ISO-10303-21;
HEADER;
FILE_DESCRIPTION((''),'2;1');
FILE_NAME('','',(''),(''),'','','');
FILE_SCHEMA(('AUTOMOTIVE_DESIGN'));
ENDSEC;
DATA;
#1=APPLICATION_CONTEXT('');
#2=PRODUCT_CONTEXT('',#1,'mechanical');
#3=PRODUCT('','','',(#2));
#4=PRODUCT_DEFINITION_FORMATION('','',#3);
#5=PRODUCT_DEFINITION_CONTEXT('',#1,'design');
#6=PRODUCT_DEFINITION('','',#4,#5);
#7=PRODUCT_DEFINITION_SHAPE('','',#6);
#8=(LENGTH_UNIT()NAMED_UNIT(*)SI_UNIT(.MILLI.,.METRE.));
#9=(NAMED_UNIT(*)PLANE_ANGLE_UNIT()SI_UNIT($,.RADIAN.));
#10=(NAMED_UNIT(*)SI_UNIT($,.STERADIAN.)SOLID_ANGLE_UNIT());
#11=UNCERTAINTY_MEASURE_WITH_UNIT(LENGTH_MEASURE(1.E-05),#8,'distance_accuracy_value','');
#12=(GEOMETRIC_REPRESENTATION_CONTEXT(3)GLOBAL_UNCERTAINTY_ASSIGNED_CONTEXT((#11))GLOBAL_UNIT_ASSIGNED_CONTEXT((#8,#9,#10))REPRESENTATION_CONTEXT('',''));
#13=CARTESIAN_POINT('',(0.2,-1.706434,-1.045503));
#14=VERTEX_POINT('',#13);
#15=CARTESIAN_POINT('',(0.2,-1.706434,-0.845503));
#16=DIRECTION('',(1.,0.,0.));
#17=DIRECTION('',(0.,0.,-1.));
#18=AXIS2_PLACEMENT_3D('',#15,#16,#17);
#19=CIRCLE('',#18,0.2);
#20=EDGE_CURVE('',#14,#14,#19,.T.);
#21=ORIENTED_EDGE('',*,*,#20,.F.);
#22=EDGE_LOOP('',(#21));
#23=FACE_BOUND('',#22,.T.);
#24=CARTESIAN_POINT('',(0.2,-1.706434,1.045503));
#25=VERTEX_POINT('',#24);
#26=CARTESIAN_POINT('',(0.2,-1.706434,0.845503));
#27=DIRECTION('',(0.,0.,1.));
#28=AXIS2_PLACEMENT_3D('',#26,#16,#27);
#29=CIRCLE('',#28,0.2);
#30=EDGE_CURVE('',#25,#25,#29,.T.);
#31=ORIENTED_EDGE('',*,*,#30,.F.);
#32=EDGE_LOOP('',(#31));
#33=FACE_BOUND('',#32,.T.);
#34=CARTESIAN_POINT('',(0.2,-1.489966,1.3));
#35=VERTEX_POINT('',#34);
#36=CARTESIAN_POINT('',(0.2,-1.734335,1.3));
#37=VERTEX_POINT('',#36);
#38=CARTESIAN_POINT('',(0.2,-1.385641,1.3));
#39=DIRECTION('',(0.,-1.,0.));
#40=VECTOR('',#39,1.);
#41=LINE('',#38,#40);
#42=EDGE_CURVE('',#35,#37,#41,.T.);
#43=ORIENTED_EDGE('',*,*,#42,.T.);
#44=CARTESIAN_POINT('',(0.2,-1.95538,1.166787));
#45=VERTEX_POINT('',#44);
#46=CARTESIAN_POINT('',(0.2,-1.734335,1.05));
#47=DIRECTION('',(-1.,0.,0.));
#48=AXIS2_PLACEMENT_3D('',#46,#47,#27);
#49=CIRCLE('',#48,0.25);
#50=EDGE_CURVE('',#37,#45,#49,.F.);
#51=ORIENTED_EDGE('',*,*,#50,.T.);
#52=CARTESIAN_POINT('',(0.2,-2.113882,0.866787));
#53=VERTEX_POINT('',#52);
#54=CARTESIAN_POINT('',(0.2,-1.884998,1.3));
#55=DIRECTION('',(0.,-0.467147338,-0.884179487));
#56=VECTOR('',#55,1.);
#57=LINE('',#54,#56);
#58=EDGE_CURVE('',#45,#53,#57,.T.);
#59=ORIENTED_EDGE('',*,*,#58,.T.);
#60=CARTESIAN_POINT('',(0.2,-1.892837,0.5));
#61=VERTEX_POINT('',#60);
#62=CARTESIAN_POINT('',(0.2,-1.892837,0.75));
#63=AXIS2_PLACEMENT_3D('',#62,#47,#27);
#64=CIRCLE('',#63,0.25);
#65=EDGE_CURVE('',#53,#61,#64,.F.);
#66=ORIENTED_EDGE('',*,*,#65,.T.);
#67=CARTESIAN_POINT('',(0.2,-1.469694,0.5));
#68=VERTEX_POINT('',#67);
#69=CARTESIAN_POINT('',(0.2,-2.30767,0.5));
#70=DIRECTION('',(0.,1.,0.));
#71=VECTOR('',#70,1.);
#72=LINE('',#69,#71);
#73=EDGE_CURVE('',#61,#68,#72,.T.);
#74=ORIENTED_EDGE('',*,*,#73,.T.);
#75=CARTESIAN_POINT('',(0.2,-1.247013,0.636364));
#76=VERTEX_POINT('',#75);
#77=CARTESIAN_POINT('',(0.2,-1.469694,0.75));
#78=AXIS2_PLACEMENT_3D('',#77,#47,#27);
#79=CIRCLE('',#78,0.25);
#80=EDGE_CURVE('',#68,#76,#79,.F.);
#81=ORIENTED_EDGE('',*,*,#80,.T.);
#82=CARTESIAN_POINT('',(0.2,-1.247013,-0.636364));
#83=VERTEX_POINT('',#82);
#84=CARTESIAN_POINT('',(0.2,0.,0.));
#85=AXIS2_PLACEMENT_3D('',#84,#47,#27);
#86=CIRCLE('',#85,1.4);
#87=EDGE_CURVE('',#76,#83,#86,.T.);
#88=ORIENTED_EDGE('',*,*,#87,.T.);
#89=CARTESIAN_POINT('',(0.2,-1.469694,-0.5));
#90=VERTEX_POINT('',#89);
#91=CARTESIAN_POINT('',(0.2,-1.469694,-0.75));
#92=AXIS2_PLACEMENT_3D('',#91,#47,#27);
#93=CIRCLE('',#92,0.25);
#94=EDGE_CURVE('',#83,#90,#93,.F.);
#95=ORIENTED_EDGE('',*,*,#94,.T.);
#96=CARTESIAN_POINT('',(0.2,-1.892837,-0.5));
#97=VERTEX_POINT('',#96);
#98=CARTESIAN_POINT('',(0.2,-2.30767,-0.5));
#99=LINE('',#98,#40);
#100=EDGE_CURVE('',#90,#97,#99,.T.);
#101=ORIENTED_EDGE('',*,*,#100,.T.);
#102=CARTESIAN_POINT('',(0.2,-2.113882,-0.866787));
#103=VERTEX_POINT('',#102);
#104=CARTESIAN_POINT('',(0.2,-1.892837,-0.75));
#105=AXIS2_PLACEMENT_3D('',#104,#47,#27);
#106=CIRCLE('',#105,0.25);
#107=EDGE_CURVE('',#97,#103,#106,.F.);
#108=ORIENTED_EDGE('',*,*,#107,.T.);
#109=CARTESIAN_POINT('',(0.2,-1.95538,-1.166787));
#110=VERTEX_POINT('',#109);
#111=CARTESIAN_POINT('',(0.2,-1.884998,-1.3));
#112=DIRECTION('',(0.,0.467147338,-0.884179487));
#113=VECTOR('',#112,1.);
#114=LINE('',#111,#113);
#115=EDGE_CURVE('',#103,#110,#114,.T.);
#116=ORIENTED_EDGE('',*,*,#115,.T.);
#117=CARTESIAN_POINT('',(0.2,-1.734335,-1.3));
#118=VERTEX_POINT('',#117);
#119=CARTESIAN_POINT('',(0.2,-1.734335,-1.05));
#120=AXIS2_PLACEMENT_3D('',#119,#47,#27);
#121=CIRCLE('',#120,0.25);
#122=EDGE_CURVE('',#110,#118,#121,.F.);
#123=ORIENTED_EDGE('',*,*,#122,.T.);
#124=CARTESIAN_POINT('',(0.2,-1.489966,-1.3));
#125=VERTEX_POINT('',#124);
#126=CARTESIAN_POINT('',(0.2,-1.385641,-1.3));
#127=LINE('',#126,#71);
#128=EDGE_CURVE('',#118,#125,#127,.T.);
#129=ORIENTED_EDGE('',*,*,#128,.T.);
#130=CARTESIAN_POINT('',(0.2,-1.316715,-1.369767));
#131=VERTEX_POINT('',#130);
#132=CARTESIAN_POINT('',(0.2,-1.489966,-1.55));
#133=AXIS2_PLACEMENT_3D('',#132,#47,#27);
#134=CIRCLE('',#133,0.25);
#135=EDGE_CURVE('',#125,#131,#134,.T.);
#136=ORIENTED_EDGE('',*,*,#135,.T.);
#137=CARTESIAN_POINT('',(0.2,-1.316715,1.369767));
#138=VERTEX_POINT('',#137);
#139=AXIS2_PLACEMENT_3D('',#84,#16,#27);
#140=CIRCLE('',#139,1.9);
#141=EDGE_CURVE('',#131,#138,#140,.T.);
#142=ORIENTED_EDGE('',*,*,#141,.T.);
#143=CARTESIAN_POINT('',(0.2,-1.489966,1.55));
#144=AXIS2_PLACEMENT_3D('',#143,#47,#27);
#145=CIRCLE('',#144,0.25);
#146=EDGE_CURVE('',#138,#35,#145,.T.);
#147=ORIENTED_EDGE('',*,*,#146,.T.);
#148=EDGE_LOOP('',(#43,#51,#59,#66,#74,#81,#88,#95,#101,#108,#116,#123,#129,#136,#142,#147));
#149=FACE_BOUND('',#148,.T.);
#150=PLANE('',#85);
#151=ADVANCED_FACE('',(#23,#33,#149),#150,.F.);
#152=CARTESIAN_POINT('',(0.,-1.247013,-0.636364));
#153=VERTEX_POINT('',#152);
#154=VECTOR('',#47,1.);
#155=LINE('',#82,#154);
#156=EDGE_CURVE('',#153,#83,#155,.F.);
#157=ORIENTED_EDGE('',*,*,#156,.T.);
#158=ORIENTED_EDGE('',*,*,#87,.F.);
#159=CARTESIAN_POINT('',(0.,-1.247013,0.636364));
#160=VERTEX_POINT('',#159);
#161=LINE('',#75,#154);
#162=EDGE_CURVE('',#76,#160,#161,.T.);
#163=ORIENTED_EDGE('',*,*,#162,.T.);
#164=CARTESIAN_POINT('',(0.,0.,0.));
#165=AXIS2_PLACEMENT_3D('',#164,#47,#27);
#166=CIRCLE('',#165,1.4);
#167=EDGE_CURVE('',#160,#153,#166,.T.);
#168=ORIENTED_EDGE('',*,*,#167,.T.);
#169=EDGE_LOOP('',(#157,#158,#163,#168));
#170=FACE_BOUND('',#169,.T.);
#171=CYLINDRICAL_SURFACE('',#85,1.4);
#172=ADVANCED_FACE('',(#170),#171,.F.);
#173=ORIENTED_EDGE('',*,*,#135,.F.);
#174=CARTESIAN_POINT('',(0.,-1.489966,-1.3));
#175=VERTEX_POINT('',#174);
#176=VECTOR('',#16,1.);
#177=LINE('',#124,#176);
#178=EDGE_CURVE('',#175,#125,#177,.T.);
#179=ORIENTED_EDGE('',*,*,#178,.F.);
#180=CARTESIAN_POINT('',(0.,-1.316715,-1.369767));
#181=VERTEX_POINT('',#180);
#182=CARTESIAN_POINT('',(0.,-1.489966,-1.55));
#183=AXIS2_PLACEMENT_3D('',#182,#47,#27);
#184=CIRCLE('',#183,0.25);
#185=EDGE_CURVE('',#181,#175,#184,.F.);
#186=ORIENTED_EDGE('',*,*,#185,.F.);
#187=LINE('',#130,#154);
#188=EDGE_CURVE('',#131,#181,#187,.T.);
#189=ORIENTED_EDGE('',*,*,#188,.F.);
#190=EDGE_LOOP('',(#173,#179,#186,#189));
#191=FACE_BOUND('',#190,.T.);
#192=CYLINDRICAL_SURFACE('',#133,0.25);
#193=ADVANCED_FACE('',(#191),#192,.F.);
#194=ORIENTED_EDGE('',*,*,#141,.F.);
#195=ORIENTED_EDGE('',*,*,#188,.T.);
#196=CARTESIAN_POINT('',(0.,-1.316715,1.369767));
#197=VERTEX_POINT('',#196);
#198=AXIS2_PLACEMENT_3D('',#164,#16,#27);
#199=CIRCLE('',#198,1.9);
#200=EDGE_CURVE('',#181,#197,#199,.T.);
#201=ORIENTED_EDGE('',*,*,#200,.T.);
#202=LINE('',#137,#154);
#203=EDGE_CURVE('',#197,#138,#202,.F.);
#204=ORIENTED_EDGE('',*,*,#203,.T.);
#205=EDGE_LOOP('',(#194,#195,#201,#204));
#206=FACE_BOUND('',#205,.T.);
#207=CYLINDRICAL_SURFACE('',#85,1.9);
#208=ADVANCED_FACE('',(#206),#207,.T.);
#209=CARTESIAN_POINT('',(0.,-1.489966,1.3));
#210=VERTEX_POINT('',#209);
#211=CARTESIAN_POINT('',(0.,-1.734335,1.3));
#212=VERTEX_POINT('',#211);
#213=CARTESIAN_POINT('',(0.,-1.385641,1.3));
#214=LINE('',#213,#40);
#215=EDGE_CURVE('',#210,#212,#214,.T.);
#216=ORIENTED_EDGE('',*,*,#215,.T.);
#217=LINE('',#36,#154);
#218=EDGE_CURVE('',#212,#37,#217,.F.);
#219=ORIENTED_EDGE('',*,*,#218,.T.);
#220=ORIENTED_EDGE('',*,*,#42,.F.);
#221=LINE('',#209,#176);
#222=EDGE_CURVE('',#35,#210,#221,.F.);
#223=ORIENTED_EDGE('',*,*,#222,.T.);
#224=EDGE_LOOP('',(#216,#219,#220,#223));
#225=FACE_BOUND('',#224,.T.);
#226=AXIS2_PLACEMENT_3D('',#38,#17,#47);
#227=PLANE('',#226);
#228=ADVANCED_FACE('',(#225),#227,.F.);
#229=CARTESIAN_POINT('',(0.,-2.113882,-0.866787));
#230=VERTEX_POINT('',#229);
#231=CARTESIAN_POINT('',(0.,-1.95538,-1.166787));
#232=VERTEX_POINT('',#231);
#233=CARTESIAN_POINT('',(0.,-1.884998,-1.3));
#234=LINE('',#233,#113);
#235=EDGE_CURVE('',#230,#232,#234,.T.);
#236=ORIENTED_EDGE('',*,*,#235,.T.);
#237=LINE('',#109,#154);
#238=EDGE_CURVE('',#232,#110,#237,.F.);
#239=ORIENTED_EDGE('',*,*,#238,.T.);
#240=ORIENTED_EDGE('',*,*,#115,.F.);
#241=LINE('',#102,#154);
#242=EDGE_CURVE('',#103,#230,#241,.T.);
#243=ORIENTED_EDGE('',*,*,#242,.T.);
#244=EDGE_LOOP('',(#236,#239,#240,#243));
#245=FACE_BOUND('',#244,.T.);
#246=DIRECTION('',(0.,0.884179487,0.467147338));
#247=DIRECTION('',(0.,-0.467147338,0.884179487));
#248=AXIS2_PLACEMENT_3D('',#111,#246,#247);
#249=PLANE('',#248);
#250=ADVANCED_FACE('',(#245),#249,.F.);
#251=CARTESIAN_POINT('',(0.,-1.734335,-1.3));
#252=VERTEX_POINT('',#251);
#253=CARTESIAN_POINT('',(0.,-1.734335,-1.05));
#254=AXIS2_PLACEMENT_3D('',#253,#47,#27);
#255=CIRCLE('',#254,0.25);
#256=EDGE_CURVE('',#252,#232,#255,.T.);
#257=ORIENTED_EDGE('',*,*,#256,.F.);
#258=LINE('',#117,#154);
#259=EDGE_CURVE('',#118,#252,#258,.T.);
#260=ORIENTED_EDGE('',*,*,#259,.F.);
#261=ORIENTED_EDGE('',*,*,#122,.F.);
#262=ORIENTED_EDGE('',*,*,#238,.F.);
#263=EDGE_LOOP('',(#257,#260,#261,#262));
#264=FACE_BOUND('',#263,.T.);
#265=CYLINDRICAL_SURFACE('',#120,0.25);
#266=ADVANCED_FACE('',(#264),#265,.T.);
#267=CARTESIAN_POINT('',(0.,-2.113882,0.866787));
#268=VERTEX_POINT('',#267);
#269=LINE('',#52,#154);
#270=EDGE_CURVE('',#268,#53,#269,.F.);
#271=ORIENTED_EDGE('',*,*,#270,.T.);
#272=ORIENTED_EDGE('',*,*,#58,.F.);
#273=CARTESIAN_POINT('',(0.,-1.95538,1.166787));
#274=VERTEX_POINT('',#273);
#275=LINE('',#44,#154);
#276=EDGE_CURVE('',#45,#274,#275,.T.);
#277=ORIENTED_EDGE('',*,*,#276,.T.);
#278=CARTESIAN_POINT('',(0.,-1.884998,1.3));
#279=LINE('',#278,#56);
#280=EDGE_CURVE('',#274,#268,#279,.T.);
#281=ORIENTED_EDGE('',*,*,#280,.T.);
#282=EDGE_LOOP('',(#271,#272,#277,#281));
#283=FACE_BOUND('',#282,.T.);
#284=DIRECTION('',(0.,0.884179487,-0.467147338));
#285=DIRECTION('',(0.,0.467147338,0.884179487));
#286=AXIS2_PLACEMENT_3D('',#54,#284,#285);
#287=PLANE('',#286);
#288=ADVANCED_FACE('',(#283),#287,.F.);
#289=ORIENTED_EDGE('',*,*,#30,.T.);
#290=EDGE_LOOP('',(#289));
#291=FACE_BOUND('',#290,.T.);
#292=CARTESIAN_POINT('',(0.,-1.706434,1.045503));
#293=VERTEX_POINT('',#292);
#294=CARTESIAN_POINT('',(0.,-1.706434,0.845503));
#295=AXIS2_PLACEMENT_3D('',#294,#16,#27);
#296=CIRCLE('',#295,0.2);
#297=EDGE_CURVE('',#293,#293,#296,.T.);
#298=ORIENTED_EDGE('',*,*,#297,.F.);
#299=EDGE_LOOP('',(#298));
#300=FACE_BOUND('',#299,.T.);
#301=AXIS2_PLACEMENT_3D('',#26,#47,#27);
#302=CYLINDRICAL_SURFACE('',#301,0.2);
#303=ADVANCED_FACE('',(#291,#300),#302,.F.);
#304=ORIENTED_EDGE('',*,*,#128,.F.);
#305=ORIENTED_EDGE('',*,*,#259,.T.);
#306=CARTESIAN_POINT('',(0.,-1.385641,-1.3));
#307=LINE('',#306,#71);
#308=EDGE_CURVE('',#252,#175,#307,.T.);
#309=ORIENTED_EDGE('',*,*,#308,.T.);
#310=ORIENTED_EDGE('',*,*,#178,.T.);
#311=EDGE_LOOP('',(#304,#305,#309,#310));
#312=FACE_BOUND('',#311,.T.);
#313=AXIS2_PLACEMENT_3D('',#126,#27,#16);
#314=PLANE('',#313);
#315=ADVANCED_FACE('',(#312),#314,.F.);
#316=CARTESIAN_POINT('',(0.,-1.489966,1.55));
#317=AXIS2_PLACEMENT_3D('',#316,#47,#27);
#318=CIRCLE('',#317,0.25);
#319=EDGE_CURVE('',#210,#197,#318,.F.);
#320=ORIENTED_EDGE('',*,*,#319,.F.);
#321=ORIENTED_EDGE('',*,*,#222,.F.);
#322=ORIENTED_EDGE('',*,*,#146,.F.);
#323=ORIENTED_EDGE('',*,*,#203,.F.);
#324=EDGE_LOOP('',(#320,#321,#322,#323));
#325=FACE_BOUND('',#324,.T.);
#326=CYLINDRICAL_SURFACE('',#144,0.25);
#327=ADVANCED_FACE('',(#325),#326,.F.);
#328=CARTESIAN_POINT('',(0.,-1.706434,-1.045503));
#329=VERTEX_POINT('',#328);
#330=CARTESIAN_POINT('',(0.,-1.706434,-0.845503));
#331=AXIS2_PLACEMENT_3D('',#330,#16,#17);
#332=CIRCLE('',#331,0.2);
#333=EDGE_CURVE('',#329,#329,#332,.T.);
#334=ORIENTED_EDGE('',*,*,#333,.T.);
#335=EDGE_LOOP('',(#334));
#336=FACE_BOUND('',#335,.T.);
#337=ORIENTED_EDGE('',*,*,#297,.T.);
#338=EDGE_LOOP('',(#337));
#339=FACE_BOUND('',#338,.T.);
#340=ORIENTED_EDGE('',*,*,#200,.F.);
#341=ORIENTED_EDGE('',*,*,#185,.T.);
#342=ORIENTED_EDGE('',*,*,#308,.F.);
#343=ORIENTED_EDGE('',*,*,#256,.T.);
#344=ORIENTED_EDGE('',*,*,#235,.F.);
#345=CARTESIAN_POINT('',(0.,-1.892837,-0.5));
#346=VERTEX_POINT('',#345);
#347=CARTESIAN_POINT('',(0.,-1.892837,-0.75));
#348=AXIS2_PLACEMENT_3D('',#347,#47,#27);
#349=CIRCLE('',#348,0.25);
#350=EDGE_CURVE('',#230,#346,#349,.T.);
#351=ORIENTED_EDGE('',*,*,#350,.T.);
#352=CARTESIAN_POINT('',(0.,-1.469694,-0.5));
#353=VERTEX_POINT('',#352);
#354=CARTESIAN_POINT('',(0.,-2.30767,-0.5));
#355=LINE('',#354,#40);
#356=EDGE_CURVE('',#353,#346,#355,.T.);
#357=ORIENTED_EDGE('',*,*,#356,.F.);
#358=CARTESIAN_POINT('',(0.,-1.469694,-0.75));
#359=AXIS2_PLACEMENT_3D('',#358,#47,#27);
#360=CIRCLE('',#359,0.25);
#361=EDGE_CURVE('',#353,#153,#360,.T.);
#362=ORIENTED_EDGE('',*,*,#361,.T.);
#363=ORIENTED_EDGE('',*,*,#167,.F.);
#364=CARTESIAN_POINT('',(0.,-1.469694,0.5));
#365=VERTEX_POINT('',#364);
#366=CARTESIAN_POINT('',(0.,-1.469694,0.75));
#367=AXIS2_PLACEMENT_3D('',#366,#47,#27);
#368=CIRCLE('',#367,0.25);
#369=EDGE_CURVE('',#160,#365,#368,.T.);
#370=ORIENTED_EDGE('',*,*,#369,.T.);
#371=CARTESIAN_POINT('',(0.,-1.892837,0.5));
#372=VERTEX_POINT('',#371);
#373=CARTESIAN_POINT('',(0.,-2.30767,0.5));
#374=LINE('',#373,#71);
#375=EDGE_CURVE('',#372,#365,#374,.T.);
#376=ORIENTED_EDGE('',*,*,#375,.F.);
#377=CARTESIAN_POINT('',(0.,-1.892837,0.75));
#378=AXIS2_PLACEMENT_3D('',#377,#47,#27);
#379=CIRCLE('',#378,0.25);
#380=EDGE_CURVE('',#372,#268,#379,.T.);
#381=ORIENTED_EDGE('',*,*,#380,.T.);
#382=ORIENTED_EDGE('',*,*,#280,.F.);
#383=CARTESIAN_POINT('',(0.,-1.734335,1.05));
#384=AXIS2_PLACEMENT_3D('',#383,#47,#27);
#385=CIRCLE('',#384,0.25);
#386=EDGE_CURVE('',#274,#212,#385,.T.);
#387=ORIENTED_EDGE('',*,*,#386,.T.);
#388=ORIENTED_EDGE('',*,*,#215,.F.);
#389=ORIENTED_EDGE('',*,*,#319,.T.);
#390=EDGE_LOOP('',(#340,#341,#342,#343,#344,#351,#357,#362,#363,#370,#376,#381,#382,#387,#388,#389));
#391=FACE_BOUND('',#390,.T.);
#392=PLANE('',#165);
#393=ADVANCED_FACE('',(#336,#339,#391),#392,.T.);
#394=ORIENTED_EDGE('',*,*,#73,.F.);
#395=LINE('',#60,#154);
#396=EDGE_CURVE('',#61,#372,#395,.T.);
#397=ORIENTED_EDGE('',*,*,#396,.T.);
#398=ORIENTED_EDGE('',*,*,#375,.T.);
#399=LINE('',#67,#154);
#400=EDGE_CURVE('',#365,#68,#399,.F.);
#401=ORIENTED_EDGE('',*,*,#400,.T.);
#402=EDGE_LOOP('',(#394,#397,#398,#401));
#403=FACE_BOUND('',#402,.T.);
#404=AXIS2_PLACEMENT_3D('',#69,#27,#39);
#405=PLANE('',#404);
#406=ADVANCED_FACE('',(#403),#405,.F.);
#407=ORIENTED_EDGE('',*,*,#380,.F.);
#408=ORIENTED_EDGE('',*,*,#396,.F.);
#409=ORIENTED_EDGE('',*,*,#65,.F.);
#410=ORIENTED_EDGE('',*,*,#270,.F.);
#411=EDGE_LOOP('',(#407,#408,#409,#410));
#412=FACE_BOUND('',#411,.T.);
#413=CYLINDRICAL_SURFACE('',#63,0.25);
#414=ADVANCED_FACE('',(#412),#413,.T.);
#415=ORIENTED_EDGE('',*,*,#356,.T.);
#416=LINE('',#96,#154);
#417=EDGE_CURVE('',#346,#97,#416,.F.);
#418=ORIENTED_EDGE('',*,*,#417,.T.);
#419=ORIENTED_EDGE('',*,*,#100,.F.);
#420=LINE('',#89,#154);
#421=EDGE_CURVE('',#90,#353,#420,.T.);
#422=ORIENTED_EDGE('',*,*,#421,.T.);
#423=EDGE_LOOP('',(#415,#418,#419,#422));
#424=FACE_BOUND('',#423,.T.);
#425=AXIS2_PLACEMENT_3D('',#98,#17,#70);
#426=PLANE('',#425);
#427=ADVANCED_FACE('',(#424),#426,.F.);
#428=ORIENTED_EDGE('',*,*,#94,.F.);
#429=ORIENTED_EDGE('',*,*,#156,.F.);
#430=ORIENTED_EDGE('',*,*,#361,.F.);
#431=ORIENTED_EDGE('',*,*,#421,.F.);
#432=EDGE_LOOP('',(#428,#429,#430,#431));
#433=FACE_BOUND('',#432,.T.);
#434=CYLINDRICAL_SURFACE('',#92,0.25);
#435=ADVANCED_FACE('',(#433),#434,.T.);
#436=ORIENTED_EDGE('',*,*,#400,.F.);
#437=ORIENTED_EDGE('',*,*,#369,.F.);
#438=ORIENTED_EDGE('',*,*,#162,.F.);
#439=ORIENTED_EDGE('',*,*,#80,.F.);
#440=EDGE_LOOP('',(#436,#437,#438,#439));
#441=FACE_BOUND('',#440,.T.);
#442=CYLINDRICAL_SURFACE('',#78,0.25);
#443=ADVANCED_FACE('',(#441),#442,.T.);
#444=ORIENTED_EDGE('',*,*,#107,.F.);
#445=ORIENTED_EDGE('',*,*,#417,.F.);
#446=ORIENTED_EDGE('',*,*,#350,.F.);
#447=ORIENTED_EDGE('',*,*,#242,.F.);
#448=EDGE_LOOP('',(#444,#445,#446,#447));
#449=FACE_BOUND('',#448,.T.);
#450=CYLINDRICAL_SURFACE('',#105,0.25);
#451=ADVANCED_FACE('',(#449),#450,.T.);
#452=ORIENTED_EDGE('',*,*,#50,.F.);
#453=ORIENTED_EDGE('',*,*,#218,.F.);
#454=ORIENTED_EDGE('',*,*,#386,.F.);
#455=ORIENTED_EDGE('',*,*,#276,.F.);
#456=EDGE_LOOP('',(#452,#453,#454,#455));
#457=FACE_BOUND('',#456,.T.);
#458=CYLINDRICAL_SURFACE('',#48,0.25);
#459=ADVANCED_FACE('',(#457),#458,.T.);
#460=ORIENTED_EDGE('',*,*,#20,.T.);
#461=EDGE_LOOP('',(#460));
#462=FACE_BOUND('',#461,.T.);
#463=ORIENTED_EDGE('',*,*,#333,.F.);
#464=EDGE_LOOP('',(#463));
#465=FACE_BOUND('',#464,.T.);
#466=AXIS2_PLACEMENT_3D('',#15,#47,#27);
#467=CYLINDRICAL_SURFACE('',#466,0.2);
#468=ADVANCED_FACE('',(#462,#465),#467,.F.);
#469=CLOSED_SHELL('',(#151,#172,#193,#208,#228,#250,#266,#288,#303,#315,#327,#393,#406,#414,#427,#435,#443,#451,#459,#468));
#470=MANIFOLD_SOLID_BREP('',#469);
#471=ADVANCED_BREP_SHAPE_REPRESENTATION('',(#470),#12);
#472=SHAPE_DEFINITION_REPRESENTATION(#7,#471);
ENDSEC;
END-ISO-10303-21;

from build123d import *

# Parameters (mm, degrees)
SKETCH1_R           = 0.2
BOSS_EXTRUDE1_DEPTH = 0.2
FILLET1_R           = 0.25


with BuildPart() as part:
    # Sketch1 → Boss-Extrude1 (new body)
    with BuildSketch(Plane(origin=(0, 0, 0), x_dir=(0, 0, -1), z_dir=(1, 0, 0))):
        with BuildLine():
            Line((1.3, -1.385640646), (1.3, -1.884997731))
            Line((1.3, -1.884997731), (0.5, -2.307669683))
            Line((0.5, -2.307669683), (0.5, -1.307669683))
            ThreePointArc((0.5, -1.307669683), (0, 1.4), (-0.5, -1.307669683))
            Line((-0.5, -1.307669683), (-0.5, -2.307669683))
            Line((-0.5, -2.307669683), (-1.3, -1.884997731))
            Line((-1.3, -1.884997731), (-1.3, -1.385640646))
            ThreePointArc((-1.3, -1.385640646), (0, 1.9), (1.3, -1.385640646))
        make_face()
        with Locations((0.84550336, -1.706434434)):
            Circle(SKETCH1_R, mode=Mode.SUBTRACT)
        with Locations((-0.84550336, -1.706434434)):
            Circle(SKETCH1_R, mode=Mode.SUBTRACT)
    extrude(amount=BOSS_EXTRUDE1_DEPTH)

    # Fillet1
    fillet1_edges = [part.edges().sort_by_distance(p)[0] for p in [
        (0.1, -1.307669683, 0.5),
        (0.1, -2.307669683, 0.5),
        (0.1, -1.884997731, 1.3),
        (0.1, -1.385640646, 1.3),
        (0.1, -1.385640646, -1.3),
        (0.1, -1.884997731, -1.3),
        (0.1, -2.307669683, -0.5),
        (0.1, -1.307669683, -0.5),
    ]]
    fillet(fillet1_edges, radius=FILLET1_R)


solid = part.part
